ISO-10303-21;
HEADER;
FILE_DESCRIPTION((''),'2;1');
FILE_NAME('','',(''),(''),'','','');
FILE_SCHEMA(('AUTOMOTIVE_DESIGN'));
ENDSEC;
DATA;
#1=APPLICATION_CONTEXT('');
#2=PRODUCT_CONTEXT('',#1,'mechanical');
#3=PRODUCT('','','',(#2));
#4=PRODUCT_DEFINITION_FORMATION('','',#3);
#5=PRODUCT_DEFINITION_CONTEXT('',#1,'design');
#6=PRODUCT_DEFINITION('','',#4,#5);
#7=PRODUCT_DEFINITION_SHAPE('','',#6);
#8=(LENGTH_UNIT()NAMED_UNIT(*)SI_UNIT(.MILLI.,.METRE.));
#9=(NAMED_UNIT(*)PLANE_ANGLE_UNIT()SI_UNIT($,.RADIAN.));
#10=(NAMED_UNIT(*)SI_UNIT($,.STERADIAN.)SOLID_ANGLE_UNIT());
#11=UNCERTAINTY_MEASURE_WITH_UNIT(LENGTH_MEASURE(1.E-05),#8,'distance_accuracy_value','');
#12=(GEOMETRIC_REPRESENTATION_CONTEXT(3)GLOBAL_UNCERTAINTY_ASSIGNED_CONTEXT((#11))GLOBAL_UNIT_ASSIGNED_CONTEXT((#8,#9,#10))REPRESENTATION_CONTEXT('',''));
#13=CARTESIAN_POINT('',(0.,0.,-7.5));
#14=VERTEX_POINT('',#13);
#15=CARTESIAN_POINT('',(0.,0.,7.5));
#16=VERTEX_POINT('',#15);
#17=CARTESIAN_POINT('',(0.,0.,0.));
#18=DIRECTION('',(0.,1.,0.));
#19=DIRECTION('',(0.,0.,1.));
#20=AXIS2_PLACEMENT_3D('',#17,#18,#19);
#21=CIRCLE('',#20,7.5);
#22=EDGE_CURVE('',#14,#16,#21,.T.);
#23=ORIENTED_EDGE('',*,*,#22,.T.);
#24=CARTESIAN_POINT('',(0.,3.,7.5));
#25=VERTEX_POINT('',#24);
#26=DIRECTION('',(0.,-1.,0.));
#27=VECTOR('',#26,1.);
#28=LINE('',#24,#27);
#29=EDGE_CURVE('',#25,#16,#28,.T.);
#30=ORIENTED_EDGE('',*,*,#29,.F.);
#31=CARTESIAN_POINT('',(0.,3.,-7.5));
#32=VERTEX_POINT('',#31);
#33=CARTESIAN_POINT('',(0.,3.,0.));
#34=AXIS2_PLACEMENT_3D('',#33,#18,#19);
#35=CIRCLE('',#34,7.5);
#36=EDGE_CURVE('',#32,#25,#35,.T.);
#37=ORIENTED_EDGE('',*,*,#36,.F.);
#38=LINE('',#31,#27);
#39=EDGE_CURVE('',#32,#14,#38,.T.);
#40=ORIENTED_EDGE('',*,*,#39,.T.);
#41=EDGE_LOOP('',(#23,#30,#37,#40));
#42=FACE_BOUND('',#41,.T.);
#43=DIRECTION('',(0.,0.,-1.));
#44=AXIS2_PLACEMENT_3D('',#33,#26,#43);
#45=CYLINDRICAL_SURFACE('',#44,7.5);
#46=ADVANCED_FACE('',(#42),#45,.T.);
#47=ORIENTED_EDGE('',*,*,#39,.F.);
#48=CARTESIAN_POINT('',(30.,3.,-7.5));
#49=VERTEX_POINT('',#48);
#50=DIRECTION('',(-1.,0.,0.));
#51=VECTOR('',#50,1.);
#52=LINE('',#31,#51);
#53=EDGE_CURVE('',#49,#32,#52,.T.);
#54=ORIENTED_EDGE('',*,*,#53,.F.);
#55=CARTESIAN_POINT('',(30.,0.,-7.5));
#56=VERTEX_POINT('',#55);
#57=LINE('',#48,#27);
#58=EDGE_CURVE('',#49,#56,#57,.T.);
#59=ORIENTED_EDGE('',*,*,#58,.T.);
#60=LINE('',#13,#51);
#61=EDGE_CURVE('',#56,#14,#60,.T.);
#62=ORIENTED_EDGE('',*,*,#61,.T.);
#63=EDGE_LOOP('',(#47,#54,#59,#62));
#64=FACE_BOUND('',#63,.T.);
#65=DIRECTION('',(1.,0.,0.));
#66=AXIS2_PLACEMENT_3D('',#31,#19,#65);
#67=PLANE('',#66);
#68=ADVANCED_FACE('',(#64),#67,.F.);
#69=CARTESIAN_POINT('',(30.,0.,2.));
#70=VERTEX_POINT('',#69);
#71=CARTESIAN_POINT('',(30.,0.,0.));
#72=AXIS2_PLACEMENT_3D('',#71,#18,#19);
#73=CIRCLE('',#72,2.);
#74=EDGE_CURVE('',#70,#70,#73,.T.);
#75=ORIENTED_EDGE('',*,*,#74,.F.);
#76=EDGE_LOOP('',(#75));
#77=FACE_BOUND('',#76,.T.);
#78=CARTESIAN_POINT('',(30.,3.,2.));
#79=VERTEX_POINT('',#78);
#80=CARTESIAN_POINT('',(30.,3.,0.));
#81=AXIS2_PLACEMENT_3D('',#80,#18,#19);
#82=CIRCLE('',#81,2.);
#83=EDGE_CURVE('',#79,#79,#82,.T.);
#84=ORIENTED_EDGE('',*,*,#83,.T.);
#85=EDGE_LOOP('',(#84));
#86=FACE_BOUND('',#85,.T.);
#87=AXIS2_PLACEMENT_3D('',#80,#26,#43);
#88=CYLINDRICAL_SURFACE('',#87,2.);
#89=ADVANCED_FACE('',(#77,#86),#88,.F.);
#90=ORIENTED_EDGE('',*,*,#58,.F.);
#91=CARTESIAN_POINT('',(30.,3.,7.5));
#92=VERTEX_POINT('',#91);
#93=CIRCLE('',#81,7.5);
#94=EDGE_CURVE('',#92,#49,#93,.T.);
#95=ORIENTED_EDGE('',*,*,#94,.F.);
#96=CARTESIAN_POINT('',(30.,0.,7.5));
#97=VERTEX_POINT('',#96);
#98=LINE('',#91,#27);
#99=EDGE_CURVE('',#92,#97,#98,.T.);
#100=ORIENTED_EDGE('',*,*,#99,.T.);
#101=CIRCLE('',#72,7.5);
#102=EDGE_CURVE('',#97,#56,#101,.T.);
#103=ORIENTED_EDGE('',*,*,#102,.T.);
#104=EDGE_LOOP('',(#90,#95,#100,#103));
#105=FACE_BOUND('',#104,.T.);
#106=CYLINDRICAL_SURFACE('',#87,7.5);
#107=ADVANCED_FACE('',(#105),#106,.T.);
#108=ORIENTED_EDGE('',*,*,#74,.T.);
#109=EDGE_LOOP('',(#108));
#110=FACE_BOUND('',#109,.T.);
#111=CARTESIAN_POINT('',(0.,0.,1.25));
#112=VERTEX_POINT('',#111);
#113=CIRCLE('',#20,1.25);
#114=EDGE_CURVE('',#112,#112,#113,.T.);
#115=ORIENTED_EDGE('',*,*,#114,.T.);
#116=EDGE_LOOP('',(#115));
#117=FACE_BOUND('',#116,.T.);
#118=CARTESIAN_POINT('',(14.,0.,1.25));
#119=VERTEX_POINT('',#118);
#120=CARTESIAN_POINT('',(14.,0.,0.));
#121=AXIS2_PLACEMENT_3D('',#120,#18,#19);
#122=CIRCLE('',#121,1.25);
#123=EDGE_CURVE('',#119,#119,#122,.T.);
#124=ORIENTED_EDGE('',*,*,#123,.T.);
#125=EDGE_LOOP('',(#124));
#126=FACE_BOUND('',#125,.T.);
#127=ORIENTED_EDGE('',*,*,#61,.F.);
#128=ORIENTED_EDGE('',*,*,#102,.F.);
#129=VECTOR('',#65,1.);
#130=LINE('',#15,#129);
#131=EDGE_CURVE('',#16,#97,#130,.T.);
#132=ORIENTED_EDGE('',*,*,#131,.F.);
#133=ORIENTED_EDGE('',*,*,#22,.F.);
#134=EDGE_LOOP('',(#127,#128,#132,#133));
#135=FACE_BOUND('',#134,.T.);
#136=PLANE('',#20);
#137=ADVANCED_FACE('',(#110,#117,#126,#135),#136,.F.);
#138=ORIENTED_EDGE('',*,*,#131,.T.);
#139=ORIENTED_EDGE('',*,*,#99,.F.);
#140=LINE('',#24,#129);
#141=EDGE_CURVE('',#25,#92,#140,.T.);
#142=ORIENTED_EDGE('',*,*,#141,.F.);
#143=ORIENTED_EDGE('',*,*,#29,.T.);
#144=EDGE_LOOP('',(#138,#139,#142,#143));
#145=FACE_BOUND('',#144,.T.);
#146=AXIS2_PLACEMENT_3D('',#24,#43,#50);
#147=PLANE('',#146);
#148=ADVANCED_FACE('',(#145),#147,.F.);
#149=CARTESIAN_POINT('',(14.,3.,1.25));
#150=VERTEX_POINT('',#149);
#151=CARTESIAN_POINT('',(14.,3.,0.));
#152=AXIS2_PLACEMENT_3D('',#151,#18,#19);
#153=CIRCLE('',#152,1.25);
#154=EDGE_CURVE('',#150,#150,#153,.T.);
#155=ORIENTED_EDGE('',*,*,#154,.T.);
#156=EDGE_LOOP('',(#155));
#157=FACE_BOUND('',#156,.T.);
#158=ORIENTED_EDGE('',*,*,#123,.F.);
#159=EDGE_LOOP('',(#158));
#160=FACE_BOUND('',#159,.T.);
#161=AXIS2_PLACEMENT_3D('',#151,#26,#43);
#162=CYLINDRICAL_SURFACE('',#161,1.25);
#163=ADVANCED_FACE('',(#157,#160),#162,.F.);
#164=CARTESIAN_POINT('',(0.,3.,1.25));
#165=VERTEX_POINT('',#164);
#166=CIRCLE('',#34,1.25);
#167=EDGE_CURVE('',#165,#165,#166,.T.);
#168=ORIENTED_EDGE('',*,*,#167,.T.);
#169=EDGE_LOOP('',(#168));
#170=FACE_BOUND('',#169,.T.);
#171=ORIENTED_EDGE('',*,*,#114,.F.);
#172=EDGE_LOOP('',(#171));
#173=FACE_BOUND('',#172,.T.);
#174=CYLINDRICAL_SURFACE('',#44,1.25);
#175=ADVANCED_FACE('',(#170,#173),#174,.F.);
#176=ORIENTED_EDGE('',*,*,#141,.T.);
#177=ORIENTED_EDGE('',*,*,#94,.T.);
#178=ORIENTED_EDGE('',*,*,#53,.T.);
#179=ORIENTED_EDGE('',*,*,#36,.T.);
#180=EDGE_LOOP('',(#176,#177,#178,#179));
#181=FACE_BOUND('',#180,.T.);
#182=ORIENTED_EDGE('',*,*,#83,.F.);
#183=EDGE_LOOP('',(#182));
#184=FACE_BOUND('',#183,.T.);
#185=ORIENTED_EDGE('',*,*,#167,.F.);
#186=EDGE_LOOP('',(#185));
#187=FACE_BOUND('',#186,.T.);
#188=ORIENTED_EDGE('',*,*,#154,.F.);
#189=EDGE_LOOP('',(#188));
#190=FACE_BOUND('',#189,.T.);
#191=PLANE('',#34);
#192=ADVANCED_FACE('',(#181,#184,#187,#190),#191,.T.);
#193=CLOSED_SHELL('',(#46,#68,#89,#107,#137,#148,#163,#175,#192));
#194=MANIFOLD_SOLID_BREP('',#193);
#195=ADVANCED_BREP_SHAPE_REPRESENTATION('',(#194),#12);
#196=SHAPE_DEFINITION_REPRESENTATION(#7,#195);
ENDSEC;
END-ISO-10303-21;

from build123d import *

# Parameters (mm, degrees)
SKETCH1_R           = 2
SKETCH1_R_2         = 1.25
BOSS_EXTRUDE1_DEPTH = 3


with BuildPart() as part:
    # Sketch1 → Boss-Extrude1 (new body)
    with BuildSketch(Plane(origin=(0, 0, 0), x_dir=(1, 0, 0), z_dir=(0, 1, 0))):
        with BuildLine():
            Line((0, 7.5), (30, 7.5))
            ThreePointArc((30, 7.5), (37.5, 0), (30, -7.5))
            Line((30, -7.5), (0, -7.5))
            ThreePointArc((0, -7.5), (-7.5, 0), (0, 7.5))
        make_face()
        with Locations(Location((30, 0, 0), (0, 0, 270))):
            Circle(SKETCH1_R, mode=Mode.SUBTRACT)
        with Locations(Location((0, 0, 0), (0, 0, 270))):
            Circle(SKETCH1_R_2, mode=Mode.SUBTRACT)
        with Locations(Location((14, 0, 0), (0, 0, 270))):
            Circle(SKETCH1_R_2, mode=Mode.SUBTRACT)
    extrude(amount=BOSS_EXTRUDE1_DEPTH)


solid = part.part
